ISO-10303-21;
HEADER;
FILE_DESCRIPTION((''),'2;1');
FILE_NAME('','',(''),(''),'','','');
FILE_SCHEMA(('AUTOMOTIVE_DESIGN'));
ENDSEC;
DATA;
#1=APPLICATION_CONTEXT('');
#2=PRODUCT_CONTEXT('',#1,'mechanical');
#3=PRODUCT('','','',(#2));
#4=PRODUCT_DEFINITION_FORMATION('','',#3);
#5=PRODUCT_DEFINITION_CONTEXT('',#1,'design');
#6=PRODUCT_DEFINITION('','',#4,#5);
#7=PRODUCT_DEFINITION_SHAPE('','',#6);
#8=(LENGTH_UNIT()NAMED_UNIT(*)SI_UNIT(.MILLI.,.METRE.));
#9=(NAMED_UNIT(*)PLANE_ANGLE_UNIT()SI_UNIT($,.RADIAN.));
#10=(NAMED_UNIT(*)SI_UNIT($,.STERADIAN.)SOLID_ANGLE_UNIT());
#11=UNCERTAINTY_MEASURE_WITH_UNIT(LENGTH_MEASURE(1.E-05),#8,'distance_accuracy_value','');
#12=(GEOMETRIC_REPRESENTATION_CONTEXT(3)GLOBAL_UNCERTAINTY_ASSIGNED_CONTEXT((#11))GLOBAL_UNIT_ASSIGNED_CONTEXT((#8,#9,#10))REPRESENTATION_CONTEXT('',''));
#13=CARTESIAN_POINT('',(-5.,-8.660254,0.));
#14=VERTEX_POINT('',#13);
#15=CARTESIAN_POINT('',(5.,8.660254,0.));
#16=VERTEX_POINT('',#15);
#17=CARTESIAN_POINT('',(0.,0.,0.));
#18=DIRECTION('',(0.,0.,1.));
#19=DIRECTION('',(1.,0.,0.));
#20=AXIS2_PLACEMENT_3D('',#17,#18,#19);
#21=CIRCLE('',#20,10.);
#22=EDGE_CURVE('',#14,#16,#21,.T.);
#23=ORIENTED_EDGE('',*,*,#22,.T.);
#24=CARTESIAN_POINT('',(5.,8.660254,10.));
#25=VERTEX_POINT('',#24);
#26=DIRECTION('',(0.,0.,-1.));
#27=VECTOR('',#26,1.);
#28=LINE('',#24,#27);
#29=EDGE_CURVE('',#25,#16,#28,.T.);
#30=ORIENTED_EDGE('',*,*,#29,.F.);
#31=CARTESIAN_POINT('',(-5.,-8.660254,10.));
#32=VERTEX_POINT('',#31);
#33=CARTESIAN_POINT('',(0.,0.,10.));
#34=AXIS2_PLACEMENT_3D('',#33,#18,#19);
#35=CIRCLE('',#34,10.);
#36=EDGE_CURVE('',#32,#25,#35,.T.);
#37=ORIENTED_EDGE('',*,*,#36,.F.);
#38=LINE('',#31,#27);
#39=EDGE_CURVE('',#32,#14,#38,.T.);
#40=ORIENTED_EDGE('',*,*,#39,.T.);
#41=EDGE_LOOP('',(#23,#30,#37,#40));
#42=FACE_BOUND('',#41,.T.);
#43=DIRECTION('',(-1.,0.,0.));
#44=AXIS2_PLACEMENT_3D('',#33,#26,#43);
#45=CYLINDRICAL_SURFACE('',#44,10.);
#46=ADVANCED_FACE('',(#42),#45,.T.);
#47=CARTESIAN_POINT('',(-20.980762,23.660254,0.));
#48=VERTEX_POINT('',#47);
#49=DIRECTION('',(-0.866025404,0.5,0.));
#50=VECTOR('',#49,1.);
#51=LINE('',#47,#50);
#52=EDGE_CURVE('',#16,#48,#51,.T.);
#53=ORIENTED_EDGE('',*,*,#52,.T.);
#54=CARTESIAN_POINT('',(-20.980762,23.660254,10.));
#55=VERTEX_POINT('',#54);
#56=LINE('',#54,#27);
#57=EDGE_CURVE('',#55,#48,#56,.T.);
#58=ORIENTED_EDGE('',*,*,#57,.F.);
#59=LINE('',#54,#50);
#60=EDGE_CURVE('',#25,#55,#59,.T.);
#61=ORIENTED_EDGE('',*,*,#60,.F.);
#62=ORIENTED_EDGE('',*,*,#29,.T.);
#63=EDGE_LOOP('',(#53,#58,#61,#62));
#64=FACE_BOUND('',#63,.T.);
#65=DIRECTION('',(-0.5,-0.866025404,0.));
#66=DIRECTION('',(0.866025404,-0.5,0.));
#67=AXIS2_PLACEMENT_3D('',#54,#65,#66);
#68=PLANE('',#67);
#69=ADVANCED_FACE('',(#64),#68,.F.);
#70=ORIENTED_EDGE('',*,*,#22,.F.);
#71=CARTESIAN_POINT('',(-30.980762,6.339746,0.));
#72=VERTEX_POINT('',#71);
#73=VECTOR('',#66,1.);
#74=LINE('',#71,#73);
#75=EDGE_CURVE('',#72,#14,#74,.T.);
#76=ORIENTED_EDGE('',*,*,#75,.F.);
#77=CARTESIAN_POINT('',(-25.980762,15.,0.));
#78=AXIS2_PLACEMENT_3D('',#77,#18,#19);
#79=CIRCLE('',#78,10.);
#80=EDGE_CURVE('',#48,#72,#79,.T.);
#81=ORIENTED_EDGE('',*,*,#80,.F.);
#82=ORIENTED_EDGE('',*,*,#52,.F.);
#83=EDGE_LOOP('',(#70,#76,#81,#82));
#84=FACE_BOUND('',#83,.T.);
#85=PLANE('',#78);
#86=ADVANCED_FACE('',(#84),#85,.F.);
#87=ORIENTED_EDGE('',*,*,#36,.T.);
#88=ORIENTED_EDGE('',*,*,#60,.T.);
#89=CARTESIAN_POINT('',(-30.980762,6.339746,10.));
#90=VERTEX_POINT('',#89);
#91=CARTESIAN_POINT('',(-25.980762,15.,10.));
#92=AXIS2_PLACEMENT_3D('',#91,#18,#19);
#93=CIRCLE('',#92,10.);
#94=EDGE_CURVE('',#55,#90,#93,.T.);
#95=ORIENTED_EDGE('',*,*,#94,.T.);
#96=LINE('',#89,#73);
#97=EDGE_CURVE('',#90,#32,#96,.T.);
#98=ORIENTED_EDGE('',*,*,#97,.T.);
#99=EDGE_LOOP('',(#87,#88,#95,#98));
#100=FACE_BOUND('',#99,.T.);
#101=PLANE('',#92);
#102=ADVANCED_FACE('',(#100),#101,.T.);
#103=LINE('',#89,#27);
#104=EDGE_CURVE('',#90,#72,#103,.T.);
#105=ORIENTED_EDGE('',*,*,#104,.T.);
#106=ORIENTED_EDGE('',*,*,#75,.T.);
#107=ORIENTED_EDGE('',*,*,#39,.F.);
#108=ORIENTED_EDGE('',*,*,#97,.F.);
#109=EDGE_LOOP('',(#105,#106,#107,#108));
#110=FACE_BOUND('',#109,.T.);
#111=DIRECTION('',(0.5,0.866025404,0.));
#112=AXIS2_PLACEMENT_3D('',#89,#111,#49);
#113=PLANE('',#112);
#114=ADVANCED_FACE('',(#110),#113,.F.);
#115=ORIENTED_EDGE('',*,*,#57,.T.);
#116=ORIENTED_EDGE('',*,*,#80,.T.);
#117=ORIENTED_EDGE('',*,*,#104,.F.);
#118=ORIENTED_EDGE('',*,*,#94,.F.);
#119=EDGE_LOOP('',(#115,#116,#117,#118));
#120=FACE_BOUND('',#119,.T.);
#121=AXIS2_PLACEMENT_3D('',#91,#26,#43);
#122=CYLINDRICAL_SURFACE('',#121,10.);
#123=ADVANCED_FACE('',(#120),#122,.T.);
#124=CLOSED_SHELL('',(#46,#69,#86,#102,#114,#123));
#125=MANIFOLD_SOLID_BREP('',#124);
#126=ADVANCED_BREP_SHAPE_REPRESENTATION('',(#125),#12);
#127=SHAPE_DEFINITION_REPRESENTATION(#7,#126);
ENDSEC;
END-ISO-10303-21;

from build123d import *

# Parameters (mm, degrees)
SALIENTE_EXTRUIR2_DEPTH = 10


with BuildPart() as part:
    # Croquis1 → Saliente-Extruir2 (new body)
    with BuildSketch(Plane.XY):
        with BuildLine():
            Line((-20.980762114, 23.660254038), (5, 8.660254038))
            ThreePointArc((5, 8.660254038), (8.660254038, -5), (-5, -8.660254038))
            Line((-5, -8.660254038), (-30.980762114, 6.339745962))
            ThreePointArc((-30.980762114, 6.339745962), (-34.641016151, 20), (-20.980762114, 23.660254038))
        make_face()
    extrude(amount=SALIENTE_EXTRUIR2_DEPTH)


solid = part.part
